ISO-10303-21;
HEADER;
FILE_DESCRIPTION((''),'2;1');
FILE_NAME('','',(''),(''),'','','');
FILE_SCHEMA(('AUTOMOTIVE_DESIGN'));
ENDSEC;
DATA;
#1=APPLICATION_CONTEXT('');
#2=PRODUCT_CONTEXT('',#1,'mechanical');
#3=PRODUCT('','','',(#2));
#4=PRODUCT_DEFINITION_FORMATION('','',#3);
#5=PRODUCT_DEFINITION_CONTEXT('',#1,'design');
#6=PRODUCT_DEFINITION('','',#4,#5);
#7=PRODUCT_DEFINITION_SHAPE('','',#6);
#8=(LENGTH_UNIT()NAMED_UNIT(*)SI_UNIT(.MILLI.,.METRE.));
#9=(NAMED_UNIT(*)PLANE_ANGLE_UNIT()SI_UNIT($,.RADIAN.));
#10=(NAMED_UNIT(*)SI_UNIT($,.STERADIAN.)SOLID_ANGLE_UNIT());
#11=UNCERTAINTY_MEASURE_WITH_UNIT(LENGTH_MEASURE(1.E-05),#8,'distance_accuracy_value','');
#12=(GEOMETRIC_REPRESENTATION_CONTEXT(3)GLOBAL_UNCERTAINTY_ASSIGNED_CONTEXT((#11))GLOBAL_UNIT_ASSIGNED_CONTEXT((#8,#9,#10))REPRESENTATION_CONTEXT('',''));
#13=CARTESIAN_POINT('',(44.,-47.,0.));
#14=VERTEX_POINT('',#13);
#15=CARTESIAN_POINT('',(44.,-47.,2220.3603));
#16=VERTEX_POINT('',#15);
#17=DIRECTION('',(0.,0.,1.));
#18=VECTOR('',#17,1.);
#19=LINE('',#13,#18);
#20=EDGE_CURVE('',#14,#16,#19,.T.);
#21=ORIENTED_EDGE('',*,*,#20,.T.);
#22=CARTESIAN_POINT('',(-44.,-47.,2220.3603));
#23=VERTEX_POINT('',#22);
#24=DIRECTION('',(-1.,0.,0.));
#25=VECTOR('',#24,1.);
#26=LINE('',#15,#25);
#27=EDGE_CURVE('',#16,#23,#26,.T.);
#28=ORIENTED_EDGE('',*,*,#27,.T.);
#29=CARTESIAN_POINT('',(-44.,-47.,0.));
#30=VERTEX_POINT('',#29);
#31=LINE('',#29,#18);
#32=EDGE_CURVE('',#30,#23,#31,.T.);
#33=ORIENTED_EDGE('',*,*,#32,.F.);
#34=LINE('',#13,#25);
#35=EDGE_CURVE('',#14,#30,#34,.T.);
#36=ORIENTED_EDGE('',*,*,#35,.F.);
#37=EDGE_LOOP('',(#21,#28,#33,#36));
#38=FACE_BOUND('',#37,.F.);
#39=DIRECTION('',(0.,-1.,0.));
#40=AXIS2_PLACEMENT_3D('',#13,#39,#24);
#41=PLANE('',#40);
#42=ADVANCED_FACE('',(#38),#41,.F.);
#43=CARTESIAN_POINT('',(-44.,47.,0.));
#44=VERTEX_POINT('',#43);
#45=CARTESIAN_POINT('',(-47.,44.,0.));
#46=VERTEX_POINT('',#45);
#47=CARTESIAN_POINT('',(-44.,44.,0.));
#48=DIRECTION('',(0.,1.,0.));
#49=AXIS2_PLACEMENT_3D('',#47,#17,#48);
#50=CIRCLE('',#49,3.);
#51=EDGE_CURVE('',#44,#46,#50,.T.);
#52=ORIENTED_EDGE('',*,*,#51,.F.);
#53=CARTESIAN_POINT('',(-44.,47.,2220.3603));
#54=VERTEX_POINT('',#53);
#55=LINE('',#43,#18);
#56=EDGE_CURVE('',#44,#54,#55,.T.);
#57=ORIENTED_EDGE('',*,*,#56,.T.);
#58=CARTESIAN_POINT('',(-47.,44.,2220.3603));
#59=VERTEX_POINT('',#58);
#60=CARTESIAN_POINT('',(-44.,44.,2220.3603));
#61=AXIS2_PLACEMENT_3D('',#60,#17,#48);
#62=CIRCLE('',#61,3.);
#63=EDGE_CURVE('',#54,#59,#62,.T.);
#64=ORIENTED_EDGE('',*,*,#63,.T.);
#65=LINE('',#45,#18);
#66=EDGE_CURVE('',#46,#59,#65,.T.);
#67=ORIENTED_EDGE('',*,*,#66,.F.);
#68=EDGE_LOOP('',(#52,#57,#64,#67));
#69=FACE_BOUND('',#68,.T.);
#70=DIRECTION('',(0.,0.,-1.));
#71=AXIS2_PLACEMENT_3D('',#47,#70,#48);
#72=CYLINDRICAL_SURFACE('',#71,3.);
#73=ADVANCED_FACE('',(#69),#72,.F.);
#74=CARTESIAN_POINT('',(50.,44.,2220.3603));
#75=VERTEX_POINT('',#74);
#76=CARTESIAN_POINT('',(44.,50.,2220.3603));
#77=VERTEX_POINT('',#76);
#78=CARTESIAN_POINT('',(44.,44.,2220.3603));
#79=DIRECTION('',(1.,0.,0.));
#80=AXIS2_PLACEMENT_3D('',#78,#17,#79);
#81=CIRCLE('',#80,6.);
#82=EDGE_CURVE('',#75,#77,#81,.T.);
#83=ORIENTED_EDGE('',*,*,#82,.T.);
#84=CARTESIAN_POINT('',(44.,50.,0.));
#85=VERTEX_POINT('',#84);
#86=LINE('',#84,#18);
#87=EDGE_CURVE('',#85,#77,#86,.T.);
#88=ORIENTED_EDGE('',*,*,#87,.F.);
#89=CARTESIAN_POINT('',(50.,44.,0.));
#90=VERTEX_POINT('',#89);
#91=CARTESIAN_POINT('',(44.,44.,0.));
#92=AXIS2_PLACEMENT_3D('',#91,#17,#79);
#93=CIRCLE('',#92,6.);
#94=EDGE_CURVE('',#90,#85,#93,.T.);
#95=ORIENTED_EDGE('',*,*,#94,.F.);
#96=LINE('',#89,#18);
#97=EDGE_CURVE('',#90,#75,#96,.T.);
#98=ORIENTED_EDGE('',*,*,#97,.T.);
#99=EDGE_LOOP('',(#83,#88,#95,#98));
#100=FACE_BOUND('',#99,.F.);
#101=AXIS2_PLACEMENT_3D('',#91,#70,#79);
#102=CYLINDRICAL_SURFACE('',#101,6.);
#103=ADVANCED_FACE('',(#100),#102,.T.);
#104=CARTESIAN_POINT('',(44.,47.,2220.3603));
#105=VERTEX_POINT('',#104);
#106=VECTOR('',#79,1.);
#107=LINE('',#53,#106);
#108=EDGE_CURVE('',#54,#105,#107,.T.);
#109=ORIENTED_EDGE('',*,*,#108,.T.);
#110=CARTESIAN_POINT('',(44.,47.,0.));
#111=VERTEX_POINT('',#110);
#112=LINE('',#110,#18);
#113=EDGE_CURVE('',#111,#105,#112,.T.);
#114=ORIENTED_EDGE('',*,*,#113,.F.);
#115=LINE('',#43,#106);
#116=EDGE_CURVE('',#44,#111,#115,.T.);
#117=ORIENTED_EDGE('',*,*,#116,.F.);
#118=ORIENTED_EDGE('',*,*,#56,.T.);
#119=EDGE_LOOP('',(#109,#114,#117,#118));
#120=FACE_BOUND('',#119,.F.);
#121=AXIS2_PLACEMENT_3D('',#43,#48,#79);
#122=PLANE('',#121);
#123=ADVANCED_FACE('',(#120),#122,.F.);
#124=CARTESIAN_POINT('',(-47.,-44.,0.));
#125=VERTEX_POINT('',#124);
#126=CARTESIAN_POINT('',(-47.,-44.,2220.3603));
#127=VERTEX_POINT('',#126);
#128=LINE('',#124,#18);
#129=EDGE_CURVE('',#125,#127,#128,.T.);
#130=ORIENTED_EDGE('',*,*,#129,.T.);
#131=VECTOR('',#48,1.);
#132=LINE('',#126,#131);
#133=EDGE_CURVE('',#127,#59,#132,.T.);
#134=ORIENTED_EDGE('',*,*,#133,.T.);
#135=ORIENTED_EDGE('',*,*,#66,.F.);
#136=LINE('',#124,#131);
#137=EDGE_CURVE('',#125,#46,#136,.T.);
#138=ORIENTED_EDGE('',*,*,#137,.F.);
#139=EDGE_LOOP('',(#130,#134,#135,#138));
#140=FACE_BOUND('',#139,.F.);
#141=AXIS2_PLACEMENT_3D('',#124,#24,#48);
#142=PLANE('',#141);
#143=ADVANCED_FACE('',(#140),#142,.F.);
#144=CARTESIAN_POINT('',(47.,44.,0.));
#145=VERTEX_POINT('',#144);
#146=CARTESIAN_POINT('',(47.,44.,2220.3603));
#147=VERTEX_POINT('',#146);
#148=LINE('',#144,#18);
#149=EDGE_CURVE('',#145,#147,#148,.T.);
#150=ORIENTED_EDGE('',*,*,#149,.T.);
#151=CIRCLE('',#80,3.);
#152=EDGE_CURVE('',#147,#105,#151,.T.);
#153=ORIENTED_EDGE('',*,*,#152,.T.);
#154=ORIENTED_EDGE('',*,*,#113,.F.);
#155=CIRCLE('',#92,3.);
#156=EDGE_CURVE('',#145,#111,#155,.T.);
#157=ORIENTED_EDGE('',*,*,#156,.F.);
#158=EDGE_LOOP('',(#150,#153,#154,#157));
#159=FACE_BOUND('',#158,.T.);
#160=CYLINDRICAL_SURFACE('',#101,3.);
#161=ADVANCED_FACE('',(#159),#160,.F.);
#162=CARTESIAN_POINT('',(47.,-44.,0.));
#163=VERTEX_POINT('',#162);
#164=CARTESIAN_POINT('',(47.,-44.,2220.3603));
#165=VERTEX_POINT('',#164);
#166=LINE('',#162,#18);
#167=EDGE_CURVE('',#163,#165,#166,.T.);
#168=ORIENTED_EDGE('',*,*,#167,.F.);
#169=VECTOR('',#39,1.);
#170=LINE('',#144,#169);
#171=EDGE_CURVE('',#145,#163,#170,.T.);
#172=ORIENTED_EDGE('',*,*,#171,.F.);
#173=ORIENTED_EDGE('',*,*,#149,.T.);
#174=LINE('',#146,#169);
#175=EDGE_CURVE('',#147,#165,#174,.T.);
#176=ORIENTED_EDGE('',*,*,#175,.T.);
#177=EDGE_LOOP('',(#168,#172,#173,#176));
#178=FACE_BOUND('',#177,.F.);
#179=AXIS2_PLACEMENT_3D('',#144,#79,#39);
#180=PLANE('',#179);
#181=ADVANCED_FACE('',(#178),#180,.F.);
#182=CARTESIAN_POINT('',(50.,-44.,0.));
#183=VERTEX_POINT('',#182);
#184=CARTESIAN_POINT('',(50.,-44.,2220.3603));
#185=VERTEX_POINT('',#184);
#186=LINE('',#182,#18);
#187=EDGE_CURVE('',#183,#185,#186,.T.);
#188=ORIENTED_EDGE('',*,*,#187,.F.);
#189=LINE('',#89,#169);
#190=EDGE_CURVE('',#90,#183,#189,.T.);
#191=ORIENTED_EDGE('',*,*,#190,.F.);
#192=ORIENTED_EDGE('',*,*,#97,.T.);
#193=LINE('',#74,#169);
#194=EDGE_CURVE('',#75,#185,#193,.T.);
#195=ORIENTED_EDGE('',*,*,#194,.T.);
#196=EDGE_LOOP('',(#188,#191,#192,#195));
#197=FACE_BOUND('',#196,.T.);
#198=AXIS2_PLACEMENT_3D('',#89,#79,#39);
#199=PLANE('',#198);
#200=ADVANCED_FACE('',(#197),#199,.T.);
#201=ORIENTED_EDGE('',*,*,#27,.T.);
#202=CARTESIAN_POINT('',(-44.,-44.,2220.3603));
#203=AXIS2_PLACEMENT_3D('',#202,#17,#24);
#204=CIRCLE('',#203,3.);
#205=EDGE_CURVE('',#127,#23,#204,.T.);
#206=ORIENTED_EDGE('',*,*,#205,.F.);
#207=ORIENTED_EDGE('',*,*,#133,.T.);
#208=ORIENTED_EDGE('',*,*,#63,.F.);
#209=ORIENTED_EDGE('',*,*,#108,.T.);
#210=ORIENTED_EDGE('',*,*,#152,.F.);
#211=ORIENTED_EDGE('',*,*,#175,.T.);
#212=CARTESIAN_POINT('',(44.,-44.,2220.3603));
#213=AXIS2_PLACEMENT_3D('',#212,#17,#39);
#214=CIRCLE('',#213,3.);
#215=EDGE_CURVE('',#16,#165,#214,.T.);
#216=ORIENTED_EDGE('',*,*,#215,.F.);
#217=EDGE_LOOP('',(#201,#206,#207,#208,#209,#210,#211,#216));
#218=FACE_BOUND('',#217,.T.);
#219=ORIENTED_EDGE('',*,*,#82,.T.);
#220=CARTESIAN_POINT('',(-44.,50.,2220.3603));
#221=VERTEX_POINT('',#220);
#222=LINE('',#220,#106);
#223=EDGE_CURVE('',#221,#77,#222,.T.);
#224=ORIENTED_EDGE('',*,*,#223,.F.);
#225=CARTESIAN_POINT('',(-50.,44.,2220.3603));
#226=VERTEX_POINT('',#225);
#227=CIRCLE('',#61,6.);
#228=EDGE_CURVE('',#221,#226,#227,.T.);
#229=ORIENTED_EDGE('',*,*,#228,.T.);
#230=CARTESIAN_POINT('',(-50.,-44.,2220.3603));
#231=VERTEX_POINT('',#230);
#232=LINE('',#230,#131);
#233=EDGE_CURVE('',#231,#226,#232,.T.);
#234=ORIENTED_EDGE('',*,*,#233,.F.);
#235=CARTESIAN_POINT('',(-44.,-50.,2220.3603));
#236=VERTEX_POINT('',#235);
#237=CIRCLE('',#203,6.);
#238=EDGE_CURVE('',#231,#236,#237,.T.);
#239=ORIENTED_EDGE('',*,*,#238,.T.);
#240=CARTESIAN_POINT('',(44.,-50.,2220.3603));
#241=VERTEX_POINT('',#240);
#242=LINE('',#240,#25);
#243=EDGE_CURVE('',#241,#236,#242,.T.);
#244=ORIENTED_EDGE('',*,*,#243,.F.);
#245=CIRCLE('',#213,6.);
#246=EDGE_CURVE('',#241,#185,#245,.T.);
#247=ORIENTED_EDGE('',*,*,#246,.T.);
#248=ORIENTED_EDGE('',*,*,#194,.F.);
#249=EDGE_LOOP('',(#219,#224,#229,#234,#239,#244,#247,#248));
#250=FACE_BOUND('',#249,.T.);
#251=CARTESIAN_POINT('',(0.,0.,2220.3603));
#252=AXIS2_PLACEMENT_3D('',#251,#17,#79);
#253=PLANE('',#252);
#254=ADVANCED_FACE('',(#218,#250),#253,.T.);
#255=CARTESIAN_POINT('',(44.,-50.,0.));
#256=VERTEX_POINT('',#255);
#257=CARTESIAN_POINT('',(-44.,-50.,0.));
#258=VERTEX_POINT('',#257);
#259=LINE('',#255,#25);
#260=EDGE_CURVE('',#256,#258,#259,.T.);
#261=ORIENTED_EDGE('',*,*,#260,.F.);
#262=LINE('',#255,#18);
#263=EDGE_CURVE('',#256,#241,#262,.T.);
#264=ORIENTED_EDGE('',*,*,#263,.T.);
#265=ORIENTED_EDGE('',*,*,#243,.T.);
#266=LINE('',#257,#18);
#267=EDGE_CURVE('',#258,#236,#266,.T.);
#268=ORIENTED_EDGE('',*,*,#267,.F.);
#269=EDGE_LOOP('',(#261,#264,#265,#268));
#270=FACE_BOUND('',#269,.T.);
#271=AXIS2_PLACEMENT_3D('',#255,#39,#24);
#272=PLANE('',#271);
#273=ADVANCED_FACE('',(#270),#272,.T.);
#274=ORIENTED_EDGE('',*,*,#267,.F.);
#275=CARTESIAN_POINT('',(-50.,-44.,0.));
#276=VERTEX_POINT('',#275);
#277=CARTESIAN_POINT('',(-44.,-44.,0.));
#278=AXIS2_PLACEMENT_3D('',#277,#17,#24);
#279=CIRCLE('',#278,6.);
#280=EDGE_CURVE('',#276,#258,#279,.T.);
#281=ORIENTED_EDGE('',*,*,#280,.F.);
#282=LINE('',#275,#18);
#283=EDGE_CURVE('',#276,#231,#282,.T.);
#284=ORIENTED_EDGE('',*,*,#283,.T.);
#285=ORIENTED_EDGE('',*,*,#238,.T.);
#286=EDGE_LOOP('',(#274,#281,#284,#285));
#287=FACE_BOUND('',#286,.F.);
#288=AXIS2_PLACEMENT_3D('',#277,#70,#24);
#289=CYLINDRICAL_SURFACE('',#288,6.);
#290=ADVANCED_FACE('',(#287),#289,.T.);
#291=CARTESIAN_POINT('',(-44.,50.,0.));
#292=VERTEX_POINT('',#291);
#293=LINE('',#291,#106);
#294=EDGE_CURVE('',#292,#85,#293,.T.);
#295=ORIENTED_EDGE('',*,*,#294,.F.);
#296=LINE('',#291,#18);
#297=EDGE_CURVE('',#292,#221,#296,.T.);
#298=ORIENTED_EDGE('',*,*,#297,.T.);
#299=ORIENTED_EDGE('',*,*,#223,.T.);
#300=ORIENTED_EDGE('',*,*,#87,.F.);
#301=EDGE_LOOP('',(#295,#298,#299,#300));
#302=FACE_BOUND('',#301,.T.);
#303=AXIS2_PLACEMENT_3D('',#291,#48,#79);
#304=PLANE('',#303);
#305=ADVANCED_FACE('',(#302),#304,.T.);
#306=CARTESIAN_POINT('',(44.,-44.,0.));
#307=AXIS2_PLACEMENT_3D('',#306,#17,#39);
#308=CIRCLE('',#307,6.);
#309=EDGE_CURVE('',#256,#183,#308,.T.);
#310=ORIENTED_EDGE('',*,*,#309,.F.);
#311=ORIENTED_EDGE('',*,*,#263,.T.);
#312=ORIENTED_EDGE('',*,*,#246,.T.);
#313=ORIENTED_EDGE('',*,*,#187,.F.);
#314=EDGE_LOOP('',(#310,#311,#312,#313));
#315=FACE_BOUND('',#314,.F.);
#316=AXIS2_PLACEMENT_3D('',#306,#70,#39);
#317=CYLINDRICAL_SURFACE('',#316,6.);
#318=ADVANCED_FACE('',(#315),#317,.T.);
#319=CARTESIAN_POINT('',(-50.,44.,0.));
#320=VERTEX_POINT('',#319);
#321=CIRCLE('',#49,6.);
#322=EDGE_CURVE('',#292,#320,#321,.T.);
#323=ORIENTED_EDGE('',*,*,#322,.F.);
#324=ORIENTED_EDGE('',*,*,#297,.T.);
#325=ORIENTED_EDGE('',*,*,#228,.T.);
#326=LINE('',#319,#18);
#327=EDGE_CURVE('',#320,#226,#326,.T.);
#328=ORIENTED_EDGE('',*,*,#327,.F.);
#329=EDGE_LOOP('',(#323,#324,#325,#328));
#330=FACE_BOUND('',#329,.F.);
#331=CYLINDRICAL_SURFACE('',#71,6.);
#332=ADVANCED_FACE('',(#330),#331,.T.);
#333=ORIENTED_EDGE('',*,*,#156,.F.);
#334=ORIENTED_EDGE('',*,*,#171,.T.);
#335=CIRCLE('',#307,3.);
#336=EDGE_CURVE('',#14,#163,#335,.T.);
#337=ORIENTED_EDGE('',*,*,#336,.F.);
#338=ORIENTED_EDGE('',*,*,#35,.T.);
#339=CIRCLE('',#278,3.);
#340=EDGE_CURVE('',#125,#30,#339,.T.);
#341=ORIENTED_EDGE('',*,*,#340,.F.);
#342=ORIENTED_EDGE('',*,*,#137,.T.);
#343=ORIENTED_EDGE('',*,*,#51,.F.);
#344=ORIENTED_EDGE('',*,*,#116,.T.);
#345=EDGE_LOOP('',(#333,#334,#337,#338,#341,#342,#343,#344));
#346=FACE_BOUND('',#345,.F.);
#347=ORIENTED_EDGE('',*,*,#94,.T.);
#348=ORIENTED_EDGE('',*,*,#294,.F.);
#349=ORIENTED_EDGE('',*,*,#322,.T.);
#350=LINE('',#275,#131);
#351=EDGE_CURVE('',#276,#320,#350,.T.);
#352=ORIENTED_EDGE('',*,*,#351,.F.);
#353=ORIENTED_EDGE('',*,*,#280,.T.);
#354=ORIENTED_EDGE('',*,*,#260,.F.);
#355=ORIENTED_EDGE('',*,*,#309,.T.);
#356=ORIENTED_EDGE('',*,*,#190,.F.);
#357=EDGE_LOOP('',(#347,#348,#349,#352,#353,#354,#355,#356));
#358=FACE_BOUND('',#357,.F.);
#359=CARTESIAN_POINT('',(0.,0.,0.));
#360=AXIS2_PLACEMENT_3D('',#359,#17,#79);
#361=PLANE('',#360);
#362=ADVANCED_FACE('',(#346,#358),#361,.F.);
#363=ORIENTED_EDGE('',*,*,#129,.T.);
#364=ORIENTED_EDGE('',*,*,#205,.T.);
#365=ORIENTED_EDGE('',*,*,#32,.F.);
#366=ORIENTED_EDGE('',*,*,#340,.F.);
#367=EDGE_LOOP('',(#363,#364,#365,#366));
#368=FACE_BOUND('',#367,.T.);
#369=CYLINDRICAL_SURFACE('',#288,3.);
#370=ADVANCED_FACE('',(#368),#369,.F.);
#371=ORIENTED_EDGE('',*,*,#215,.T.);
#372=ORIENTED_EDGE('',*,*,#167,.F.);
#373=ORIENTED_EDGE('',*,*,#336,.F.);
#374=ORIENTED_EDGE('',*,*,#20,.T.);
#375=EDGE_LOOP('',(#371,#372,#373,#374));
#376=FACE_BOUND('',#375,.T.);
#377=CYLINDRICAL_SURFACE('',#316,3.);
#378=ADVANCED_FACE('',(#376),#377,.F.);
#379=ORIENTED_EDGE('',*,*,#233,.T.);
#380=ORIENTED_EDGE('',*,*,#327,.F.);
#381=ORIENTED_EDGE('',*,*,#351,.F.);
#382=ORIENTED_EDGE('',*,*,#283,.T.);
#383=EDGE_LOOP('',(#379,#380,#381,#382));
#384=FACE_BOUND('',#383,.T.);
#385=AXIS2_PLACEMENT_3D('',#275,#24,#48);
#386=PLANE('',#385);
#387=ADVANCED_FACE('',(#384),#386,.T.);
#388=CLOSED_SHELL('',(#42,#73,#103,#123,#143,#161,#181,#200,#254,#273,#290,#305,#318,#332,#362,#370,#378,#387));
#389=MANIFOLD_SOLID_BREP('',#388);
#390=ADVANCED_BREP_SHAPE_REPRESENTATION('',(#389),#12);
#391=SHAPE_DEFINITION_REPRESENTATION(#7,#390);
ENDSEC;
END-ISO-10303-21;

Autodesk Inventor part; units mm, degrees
ref_plane "YZ Plane" through (0, 0, 0) normal (1, 0, 0) x (0, 1, 0)
ref_plane "Start Plane" through (0, 0, 0) normal (0, 0, 1) x (1, 0, 0)
ref_plane "End Plane" through (0, 0, 2220.3603) normal (0, 0, 1) x (1, 0, 0)
sketch "Sketch" plane through (0, 0, 0) normal (0, 0, 1) x (1, 0, 0)
  line L0 (-50, -44) -> (-50, 44)
  line L1 (-44, 50) -> (44, 50)
  line L2 (50, 44) -> (50, -44)
  line L3 (44, -50) -> (-44, -50)
  arc A0 (-50, -44) -> (-44, -50) centre (-44, -44) ccw
  arc A1 (50, 44) -> (44, 50) centre (44, 44) ccw
  arc A2 (-44, 50) -> (-50, 44) centre (-44, 44) ccw
  arc A3 (44, -50) -> (50, -44) centre (44, -44) ccw
  arc A4 (-44, 47) -> (-47, 44) centre (-44, 44) ccw
  line L4 (-44, 47) -> (44, 47)
  arc A5 (47, 44) -> (44, 47) centre (44, 44) ccw
  line L5 (47, 44) -> (47, -44)
  arc A6 (44, -47) -> (47, -44) centre (44, -44) ccw
  line L6 (44, -47) -> (-44, -47)
  arc A7 (-47, -44) -> (-44, -47) centre (-44, -44) ccw
  line L7 (-47, -44) -> (-47, 44)
  line L8 (0, 71.7397) -> (0, -71.7397) construction
  line L9 (-71.7397, 0) -> (71.7397, 0) construction
  dimension "d7" = 6
  dimension "d9" = 100
  dimension "d11" = 100
  dimension "d12" = 3
  dimension "d15" = 50
  dimension "d16" = 50
extrude "Body" add sketch "Sketch" along normal up to surface (2220.3603 mm away) from surface at 0
sketch "Sketch3" plane through (0, 0, 0) normal (0, 0, 1) x (1, 0, 0)
  line L0 (0, 0) -> (10, 0)
ref_plane "Work Plane3" through (0, 0, 0) normal (0, -1, 0) x (1, 0, 0)
sketch "Sketch4" plane through (0, 0, 0) normal (0, -1, 0) x (1, 0, 0)
  line L0 (-2, 0) -> (12, 0) projected
  line L1 (-2, 2220.3603) -> (12, 2220.3603) projected
  dimension "d18" = 2220.3603
equation "\"d7\" = G_IR"
equation "\"d9\" = G_W"
equation "\"d11\" = G_H"
equation "\"d12\" = G_T"
equation "\"d15\" = 0.5 * d9"
equation "\"d16\" = 0.5 * d11"
equation "\"d3\" = G_L"
equation "\"G_W\" = 100"
equation "\"G_H\" = 100"
equation "\"G_T\" = 3"
equation "\"G_IR\" = 6"
equation "\"G_L\" = d18"
equation "\"G_OFFSET_START\" = 0"
equation "\"G_OFFSET_END\" = 0"
equation "\"d14\" = G_OFFSET_END + B_L"
equation "\"B_L\" = 2220.36033"
properties part number "ISO 10799-2 - 100x100x3 - 2220,36" material "Steel, Mild"
